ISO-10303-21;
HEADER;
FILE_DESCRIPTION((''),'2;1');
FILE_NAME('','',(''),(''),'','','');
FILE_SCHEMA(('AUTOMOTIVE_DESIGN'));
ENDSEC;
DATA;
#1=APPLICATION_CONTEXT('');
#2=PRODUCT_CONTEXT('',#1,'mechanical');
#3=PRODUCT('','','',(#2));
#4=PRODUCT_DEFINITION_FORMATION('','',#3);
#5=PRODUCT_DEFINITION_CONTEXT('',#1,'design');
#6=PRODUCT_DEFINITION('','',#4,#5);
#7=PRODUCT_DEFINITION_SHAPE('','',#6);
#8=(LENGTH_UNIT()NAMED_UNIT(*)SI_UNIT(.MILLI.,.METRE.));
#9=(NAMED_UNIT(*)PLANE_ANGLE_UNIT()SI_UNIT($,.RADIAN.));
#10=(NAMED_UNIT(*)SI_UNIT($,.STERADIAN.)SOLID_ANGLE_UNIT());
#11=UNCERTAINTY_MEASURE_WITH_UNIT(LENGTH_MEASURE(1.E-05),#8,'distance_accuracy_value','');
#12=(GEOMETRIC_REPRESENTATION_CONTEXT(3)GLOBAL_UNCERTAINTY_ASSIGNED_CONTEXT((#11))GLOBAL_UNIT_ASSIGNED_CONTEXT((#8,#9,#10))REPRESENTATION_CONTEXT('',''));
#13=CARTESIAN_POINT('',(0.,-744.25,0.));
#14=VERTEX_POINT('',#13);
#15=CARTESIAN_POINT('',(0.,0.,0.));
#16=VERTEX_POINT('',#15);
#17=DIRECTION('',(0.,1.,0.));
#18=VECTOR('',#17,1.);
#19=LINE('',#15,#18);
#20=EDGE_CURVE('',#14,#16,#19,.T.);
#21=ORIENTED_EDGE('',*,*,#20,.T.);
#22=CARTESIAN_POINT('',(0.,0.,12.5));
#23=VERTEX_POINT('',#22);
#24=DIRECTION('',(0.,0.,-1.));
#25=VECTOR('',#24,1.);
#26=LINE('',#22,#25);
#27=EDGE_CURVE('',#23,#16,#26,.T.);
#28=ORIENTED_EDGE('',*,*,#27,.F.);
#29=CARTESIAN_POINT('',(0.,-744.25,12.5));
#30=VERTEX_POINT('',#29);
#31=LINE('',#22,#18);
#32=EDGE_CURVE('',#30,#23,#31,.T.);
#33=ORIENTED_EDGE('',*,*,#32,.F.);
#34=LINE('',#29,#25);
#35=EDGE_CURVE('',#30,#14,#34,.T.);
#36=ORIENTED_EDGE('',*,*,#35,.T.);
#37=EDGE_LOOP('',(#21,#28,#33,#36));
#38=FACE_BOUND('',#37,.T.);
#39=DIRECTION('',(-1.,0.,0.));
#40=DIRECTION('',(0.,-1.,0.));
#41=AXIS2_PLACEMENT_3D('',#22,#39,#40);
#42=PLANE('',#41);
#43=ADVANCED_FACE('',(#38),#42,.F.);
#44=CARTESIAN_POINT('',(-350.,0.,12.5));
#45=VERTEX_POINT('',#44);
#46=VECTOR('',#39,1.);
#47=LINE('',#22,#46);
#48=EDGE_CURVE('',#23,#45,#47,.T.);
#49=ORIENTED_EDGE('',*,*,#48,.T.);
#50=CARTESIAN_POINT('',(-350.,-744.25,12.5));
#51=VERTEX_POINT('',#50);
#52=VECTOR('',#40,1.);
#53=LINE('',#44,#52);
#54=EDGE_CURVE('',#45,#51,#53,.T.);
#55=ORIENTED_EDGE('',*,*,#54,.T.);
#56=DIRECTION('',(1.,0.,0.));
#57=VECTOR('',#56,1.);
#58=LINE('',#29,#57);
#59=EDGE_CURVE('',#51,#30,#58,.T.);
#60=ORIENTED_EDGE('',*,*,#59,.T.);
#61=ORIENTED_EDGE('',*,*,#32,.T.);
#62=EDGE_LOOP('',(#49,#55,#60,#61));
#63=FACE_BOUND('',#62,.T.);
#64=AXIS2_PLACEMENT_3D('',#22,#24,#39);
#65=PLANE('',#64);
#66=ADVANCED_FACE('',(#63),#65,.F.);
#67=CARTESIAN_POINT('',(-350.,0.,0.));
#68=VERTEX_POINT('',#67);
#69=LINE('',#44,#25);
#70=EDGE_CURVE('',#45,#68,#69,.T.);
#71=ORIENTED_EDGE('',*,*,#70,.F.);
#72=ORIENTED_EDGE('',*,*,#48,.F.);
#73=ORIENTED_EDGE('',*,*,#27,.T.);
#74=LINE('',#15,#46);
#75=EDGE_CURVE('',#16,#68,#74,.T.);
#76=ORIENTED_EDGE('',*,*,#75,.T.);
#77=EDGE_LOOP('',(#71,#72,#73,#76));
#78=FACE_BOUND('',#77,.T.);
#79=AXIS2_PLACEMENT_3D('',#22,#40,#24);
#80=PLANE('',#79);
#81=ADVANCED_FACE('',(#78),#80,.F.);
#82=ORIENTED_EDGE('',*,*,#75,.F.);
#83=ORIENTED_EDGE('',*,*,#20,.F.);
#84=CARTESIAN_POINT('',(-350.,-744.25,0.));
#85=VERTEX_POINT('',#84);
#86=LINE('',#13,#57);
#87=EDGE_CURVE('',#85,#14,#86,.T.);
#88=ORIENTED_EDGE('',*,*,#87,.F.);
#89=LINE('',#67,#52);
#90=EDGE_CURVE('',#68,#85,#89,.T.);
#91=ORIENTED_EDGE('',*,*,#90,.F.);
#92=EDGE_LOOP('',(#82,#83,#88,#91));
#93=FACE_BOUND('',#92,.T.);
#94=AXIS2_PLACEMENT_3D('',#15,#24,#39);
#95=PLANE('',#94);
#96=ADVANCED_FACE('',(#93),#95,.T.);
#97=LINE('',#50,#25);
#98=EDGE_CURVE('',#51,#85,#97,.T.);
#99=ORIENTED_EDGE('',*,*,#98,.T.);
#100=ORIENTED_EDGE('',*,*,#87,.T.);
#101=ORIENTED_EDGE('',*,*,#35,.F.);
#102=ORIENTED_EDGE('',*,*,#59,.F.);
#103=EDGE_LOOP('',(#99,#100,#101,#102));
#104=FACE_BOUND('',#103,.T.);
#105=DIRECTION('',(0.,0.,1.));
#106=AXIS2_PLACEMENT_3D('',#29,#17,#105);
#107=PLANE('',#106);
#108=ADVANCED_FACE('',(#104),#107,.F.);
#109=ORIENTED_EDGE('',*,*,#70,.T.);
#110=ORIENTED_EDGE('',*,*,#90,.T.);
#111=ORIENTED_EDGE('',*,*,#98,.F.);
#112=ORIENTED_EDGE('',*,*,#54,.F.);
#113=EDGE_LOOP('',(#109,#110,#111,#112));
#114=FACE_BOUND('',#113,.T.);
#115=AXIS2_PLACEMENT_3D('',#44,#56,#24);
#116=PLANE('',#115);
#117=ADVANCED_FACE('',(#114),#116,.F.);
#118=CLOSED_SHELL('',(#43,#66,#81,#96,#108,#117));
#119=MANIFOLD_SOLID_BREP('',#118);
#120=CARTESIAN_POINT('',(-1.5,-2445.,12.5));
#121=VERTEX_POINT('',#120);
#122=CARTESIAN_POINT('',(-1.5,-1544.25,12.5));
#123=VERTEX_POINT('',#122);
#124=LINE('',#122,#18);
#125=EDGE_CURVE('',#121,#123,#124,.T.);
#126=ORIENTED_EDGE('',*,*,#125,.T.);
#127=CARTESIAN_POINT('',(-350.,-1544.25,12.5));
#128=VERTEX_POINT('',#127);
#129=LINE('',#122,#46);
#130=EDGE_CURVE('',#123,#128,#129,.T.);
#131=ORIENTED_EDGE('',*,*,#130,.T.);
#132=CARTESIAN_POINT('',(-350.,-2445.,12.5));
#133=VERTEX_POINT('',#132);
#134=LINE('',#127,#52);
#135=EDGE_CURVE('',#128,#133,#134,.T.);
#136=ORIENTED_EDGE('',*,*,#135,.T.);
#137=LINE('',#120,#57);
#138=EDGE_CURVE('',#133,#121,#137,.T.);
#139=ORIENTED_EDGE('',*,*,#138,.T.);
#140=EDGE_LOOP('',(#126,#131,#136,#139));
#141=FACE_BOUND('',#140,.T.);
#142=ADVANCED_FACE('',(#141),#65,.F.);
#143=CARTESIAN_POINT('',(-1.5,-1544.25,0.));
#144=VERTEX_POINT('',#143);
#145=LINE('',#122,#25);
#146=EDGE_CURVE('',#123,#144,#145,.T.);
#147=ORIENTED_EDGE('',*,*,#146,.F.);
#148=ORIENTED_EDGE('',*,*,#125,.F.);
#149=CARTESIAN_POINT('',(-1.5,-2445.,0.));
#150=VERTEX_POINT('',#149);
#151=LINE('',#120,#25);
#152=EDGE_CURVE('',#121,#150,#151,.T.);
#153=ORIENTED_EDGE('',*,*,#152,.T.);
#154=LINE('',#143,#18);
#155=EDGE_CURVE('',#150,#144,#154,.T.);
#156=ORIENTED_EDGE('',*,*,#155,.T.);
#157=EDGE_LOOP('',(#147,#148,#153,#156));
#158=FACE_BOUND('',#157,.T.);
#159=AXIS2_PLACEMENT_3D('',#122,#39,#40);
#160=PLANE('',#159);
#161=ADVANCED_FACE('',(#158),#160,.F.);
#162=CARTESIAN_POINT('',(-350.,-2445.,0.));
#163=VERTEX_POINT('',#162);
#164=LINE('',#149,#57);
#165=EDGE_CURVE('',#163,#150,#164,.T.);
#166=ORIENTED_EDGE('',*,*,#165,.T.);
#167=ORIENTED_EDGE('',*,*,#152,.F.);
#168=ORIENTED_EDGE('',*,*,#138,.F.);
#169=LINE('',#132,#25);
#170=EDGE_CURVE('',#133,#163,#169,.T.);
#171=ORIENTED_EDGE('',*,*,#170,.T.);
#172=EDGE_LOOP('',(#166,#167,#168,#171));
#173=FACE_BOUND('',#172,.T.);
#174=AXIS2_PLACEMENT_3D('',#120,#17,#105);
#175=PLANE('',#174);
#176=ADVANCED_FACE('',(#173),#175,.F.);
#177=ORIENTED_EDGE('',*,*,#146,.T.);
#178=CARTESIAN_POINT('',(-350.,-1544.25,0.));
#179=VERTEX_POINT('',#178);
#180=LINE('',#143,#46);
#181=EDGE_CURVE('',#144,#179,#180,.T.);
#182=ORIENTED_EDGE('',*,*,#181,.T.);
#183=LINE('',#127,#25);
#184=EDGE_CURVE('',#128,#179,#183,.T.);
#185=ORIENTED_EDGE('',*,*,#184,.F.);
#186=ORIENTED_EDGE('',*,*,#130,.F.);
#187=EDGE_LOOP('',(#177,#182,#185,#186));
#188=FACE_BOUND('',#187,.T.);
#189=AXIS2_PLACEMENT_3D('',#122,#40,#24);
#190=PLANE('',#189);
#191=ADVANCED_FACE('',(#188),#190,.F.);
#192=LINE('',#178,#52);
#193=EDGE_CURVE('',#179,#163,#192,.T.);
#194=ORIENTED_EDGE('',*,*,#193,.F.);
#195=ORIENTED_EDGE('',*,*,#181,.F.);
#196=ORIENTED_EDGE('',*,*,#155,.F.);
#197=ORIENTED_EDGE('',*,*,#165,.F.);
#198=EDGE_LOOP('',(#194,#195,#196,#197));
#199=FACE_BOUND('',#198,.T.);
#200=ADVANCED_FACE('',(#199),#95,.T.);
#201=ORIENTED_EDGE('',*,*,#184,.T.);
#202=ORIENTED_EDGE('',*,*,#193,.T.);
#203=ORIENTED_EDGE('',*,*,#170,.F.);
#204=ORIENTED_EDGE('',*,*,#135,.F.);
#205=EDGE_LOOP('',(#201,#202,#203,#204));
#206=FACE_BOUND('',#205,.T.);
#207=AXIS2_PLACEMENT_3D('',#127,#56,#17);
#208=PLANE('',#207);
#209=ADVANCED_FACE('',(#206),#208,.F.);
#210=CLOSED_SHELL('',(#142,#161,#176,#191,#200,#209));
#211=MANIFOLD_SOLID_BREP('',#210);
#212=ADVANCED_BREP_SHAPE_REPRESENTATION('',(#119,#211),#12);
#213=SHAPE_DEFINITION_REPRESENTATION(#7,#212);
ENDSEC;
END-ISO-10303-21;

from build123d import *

# Parameters (mm, degrees)
SKETCH_3_W        = 350
SKETCH_3_H        = 744.25
EXTRUDE_1_DEPTH   = 12.5
SKETCH_3_W_2      = 348.5
SKETCH_3_H_2      = 900.75
EXTRUDE_1_2_DEPTH = 12.5


with BuildPart() as part:
    # Эскиз3 → Бобышка-Вытянуть1 (new body)
    with BuildSketch(Plane.XY):
        with Locations((-175, -372.125)):
            Rectangle(SKETCH_3_W, SKETCH_3_H)
    extrude(amount=EXTRUDE_1_DEPTH)


with BuildPart() as body_2:
    # Эскиз3 → Extrude 1 2 (new body)
    with BuildSketch(Plane.XY):
        with Locations((-175.75, -1994.625)):
            Rectangle(SKETCH_3_W_2, SKETCH_3_H_2)
    extrude(amount=EXTRUDE_1_2_DEPTH)


solid = Compound([part.part, body_2.part])
